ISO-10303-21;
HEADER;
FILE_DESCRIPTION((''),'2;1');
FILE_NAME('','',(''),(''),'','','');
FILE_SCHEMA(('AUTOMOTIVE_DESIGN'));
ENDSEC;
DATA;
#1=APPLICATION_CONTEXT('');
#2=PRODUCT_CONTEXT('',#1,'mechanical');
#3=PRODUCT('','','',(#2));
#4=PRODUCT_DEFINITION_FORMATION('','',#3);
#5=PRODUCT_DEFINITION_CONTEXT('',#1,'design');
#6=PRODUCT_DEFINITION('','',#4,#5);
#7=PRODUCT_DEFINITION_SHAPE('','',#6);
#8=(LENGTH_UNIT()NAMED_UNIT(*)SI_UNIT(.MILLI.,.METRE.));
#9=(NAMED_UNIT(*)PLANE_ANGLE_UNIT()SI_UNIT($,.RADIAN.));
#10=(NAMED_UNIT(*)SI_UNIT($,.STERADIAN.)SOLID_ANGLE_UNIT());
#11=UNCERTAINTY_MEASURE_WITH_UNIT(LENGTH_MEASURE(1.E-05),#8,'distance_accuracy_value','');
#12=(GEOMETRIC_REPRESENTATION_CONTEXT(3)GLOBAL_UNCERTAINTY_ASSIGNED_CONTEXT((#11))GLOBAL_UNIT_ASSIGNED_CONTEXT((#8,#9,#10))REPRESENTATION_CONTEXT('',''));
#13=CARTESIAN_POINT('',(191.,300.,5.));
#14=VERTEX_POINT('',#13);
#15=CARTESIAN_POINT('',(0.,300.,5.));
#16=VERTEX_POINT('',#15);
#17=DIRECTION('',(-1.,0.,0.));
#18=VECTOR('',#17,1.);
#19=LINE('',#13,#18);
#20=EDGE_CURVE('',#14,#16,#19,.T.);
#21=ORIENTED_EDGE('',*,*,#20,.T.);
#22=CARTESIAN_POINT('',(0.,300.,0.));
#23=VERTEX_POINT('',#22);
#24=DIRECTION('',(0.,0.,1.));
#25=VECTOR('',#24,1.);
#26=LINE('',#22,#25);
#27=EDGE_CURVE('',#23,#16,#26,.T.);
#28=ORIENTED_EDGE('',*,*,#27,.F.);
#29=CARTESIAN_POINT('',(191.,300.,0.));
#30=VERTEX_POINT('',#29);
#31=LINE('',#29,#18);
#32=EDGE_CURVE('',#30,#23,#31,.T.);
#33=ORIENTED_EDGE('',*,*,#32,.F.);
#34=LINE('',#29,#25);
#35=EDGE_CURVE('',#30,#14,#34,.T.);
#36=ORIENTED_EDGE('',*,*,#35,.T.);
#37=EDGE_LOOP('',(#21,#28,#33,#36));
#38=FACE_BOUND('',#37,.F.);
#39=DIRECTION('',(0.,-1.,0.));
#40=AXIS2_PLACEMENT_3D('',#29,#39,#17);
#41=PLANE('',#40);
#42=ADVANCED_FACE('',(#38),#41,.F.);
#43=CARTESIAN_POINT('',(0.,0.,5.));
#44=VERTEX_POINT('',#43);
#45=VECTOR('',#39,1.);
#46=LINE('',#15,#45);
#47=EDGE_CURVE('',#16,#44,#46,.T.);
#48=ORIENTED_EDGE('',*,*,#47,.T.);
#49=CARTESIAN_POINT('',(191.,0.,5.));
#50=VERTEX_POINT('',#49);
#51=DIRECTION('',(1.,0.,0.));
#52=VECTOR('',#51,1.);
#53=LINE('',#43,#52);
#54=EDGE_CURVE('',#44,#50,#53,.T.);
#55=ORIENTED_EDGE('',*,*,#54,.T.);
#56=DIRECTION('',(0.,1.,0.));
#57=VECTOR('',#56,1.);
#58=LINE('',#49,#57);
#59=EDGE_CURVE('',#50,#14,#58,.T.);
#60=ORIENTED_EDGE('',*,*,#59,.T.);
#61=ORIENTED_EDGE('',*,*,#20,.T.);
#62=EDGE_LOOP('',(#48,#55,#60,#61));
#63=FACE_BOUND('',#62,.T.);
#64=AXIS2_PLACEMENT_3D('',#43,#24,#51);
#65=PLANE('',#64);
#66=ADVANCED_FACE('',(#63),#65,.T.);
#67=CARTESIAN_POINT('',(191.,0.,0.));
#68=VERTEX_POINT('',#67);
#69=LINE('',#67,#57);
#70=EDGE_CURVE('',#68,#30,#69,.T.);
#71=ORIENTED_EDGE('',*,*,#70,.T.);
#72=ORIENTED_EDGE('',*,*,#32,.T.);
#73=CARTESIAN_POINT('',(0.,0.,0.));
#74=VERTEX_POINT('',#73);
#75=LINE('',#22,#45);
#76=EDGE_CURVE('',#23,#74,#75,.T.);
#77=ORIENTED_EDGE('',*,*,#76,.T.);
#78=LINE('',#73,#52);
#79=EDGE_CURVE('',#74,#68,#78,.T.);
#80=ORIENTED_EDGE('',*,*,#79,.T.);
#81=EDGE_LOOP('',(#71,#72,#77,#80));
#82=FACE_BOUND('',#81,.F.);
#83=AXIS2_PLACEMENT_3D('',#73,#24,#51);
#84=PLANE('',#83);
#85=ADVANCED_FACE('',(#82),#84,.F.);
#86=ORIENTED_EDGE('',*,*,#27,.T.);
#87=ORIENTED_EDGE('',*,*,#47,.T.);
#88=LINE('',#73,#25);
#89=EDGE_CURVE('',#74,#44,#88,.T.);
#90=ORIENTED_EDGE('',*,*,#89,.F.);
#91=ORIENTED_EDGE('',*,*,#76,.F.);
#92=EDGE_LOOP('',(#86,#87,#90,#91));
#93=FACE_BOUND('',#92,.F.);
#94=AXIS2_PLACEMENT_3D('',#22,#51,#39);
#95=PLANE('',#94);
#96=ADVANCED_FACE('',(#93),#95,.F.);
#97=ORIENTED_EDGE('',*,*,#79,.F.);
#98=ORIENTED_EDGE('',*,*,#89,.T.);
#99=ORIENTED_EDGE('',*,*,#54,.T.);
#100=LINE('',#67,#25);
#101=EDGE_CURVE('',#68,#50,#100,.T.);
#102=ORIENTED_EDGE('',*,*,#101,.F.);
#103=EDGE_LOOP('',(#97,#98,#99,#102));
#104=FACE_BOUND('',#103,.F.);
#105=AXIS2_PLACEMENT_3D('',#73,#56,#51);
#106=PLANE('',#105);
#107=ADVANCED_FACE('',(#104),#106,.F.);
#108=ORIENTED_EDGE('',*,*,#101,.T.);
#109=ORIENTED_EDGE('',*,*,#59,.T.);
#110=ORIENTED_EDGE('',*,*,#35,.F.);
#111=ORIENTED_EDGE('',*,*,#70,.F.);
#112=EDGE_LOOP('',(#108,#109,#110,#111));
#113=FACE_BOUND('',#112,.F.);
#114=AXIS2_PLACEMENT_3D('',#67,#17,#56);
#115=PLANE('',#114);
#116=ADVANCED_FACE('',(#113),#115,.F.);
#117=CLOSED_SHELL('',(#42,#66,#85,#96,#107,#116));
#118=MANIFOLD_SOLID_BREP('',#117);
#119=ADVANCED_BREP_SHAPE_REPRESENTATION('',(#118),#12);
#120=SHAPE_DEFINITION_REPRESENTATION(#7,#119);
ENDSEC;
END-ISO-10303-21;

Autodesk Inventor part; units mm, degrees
ref_plane "YZ Plane" through (0, 0, 0) normal (1, 0, 0) x (0, 1, 0)
ref_plane "XZ Plane" through (0, 0, 0) normal (0, 1, 0) x (-1, 0, 0)
ref_plane "XY Plane" through (0, 0, 0) normal (0, 0, 1) x (1, 0, 0)
sketch "Sketch1" plane through (0, 0, 0) normal (0, 0, 1) x (1, 0, 0)
  line L0 (0, 0) -> (191, 0)
  line L1 (191, 0) -> (191, 300)
  line L2 (191, 300) -> (0, 300)
  line L3 (0, 300) -> (0, 0)
  dimension "d0" = 300
  dimension "d1" = 191
extrude "Extrusion1" add sketch "Sketch1" along normal blind 5
properties part number "Drag_Vane"
